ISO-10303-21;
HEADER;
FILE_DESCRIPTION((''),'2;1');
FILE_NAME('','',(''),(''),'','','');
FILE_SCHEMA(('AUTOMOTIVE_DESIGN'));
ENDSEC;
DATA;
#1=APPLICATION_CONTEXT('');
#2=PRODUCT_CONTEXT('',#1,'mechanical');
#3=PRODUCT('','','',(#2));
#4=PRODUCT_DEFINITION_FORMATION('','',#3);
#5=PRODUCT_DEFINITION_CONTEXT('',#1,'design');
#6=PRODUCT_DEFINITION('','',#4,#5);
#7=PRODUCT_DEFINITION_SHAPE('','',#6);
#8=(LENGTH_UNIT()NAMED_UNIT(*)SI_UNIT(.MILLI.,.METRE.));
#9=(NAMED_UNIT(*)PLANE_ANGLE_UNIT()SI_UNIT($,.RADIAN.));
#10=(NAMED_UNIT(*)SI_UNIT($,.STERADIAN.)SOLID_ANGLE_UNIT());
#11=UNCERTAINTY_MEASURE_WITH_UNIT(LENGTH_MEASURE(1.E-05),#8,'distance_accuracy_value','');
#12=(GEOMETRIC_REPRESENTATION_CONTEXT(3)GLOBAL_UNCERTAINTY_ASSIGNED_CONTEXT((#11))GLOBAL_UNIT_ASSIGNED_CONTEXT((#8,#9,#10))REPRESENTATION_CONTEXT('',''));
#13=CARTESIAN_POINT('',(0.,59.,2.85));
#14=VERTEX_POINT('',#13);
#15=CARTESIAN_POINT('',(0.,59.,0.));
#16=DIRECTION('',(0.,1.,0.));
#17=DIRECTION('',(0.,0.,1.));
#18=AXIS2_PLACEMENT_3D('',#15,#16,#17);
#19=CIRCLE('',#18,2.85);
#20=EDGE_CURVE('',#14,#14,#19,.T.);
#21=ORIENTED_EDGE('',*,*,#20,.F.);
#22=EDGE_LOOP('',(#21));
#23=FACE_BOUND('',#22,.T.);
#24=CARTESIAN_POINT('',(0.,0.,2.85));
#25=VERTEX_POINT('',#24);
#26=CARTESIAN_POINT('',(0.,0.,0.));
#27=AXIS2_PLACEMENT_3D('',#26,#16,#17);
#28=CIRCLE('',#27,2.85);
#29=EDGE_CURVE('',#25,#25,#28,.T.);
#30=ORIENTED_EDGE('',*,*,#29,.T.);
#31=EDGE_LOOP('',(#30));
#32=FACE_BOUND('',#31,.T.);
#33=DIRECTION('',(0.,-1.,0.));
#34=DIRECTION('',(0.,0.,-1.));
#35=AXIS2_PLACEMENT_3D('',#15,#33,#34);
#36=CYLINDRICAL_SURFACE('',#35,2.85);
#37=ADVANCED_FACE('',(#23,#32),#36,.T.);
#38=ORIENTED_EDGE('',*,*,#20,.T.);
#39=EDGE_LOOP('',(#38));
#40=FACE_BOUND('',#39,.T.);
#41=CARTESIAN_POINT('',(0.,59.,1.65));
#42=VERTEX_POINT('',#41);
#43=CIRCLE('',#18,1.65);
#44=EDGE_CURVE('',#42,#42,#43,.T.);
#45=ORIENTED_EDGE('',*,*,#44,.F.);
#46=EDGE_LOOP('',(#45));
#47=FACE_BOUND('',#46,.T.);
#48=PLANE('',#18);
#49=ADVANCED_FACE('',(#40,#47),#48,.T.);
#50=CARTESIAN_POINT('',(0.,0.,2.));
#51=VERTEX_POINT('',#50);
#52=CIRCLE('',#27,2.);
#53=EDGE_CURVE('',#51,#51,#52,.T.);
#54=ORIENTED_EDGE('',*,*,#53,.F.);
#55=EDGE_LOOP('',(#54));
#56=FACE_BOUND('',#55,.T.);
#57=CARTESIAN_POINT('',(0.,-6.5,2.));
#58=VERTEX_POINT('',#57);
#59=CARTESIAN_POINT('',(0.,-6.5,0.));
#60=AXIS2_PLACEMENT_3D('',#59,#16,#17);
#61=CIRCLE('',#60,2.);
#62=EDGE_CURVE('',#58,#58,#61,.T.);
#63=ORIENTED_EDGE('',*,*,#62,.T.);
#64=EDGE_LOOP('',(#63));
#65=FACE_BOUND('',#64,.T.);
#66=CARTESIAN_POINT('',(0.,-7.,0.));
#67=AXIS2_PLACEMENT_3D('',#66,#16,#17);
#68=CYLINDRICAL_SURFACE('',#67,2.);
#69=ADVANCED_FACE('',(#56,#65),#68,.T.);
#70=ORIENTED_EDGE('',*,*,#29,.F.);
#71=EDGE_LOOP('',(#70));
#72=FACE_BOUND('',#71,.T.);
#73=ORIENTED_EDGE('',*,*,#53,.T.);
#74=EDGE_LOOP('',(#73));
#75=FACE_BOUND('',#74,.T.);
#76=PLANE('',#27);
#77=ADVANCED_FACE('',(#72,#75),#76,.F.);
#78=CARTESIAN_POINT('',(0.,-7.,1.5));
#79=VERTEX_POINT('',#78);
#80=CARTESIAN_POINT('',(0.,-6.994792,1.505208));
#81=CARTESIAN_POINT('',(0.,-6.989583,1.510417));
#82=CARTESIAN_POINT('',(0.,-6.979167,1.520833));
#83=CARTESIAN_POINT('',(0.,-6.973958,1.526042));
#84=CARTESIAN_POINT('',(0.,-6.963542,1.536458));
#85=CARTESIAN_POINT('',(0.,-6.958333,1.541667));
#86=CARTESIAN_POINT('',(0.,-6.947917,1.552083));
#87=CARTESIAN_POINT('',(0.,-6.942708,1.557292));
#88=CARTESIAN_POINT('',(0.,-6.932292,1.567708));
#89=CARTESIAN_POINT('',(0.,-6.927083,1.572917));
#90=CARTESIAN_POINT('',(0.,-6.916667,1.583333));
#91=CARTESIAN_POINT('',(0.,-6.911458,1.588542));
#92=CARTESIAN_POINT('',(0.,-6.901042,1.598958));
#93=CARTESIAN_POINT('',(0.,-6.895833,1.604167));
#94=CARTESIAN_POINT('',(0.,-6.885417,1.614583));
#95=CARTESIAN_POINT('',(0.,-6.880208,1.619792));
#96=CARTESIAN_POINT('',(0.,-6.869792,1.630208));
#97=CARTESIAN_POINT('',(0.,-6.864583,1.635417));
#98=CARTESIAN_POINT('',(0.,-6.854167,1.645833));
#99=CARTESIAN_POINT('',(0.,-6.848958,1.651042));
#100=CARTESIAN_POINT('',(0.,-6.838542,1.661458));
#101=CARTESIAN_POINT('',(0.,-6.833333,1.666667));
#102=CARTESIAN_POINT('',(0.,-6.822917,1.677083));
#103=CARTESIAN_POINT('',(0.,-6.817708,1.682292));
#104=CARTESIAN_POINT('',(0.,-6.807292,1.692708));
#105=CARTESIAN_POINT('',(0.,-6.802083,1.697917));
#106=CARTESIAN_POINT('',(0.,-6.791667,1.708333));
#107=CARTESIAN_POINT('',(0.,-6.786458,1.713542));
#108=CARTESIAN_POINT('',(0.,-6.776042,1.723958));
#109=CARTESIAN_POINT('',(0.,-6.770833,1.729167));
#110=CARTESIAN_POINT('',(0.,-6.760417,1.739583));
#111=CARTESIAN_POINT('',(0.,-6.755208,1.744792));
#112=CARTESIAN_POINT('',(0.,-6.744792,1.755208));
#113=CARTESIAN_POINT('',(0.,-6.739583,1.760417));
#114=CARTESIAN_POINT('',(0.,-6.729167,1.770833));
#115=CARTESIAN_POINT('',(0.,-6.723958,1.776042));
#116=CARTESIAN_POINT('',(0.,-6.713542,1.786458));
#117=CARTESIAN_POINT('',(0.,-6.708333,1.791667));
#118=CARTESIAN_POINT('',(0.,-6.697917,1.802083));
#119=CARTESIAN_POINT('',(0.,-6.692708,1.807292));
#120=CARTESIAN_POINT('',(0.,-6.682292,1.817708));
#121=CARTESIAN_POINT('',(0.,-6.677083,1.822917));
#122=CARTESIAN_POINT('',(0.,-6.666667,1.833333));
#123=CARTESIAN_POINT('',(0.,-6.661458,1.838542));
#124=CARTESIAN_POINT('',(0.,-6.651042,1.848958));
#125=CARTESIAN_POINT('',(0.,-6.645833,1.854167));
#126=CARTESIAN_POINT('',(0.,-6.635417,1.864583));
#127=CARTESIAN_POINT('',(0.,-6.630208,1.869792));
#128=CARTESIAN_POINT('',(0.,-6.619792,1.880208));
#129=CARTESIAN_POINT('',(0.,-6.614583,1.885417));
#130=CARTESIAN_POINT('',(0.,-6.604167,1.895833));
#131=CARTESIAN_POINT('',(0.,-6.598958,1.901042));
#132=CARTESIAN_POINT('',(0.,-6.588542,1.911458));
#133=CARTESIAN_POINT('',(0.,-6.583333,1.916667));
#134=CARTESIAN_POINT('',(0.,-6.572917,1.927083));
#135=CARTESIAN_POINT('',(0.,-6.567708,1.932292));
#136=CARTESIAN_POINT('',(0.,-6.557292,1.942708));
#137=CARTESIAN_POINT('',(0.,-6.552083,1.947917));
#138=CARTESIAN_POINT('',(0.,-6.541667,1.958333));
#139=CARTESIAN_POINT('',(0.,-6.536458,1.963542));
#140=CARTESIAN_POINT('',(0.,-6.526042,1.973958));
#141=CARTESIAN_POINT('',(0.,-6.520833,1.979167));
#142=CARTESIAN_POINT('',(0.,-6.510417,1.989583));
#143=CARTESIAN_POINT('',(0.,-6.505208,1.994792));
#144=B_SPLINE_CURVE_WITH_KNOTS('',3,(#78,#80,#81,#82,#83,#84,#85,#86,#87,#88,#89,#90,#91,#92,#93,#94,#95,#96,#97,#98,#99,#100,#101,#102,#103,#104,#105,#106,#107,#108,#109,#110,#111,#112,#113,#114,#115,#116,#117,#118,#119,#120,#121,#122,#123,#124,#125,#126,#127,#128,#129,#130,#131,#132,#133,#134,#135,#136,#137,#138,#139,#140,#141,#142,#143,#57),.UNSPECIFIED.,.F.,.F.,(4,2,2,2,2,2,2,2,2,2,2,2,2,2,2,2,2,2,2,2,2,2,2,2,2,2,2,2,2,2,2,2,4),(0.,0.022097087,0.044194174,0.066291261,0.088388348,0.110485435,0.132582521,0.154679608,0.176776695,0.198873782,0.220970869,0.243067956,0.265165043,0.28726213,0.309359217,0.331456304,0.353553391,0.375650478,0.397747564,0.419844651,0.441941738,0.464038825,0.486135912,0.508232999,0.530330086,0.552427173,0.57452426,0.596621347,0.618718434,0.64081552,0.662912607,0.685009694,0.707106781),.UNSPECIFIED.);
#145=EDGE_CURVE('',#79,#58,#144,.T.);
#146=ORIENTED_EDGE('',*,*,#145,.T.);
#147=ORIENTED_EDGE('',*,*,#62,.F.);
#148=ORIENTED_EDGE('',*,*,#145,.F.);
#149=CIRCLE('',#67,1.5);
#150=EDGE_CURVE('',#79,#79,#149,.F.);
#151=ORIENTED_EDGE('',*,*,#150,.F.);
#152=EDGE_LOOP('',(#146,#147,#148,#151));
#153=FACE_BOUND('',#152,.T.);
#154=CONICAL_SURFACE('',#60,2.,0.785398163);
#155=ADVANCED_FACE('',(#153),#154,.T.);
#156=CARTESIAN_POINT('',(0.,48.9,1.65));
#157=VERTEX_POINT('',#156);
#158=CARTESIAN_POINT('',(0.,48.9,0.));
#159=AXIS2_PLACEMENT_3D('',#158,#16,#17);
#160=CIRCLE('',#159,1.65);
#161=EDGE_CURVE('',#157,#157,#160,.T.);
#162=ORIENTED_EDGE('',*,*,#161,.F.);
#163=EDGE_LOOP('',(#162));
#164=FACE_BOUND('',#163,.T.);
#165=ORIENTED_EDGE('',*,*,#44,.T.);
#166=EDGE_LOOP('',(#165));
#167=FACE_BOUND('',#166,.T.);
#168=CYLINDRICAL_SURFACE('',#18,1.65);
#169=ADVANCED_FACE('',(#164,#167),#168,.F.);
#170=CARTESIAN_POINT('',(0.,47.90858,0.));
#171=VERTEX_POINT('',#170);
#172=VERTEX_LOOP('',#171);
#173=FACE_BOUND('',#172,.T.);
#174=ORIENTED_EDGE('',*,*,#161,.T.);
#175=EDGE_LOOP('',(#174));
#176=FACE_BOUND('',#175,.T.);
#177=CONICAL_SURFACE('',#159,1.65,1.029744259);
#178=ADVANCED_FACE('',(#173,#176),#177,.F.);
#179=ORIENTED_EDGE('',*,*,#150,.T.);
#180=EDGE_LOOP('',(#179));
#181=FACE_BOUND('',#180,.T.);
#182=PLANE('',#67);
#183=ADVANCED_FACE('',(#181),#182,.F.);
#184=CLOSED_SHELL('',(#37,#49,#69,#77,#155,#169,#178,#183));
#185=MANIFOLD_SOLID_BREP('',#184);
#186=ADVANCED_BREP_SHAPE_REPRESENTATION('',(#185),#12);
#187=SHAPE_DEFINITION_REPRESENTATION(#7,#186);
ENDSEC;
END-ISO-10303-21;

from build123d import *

# Parameters (mm, degrees)
SKETCH1_R                 = 2.85
BOSS_EXTRUDE1_DEPTH       = 59
SKETCH1_4_R               = 2
BOSS_EXTRUDE2_DEPTH       = 7
M4X0_7_TAPPED_HOLE1_D     = 3.3
M4X0_7_TAPPED_HOLE1_DEPTH = 10.1
M4X0_7_TAPPED_HOLE1_TIP   = 0.991420021
CHAMFER1_SIZE             = 0.5


with BuildPart() as part:
    # Sketch1 → Boss-Extrude1 (new body)
    with BuildSketch(Plane(origin=(0, 0, 0), x_dir=(1, 0, 0), z_dir=(0, 1, 0))):
        Circle(SKETCH1_R)
    extrude(amount=BOSS_EXTRUDE1_DEPTH)

    # Sketch1<4> → Boss-Extrude2 (add)
    with BuildSketch(Plane(origin=(0, 0, 0), x_dir=(1, 0, 0), z_dir=(0, 1, 0))):
        Circle(SKETCH1_4_R)
    extrude(amount=-BOSS_EXTRUDE2_DEPTH)

    # M4x0.7 Tapped Hole1
    with Locations(Plane(origin=(0, 59, 0), x_dir=(1, 0, 0), z_dir=(0, 1, 0))):
        with Locations((0, 0)):
            Hole(M4X0_7_TAPPED_HOLE1_D / 2, depth=M4X0_7_TAPPED_HOLE1_DEPTH)
            with Locations((0, 0, -(M4X0_7_TAPPED_HOLE1_DEPTH + M4X0_7_TAPPED_HOLE1_TIP / 2))):  # 118° drill point
                Cone(0, M4X0_7_TAPPED_HOLE1_D / 2, M4X0_7_TAPPED_HOLE1_TIP, mode=Mode.SUBTRACT)

    # Chamfer1
    chamfer1_edges = [part.edges().sort_by_distance(p)[0] for p in [
        (-2, -7, 0),
    ]]
    chamfer(chamfer1_edges, length=CHAMFER1_SIZE)


solid = part.part
